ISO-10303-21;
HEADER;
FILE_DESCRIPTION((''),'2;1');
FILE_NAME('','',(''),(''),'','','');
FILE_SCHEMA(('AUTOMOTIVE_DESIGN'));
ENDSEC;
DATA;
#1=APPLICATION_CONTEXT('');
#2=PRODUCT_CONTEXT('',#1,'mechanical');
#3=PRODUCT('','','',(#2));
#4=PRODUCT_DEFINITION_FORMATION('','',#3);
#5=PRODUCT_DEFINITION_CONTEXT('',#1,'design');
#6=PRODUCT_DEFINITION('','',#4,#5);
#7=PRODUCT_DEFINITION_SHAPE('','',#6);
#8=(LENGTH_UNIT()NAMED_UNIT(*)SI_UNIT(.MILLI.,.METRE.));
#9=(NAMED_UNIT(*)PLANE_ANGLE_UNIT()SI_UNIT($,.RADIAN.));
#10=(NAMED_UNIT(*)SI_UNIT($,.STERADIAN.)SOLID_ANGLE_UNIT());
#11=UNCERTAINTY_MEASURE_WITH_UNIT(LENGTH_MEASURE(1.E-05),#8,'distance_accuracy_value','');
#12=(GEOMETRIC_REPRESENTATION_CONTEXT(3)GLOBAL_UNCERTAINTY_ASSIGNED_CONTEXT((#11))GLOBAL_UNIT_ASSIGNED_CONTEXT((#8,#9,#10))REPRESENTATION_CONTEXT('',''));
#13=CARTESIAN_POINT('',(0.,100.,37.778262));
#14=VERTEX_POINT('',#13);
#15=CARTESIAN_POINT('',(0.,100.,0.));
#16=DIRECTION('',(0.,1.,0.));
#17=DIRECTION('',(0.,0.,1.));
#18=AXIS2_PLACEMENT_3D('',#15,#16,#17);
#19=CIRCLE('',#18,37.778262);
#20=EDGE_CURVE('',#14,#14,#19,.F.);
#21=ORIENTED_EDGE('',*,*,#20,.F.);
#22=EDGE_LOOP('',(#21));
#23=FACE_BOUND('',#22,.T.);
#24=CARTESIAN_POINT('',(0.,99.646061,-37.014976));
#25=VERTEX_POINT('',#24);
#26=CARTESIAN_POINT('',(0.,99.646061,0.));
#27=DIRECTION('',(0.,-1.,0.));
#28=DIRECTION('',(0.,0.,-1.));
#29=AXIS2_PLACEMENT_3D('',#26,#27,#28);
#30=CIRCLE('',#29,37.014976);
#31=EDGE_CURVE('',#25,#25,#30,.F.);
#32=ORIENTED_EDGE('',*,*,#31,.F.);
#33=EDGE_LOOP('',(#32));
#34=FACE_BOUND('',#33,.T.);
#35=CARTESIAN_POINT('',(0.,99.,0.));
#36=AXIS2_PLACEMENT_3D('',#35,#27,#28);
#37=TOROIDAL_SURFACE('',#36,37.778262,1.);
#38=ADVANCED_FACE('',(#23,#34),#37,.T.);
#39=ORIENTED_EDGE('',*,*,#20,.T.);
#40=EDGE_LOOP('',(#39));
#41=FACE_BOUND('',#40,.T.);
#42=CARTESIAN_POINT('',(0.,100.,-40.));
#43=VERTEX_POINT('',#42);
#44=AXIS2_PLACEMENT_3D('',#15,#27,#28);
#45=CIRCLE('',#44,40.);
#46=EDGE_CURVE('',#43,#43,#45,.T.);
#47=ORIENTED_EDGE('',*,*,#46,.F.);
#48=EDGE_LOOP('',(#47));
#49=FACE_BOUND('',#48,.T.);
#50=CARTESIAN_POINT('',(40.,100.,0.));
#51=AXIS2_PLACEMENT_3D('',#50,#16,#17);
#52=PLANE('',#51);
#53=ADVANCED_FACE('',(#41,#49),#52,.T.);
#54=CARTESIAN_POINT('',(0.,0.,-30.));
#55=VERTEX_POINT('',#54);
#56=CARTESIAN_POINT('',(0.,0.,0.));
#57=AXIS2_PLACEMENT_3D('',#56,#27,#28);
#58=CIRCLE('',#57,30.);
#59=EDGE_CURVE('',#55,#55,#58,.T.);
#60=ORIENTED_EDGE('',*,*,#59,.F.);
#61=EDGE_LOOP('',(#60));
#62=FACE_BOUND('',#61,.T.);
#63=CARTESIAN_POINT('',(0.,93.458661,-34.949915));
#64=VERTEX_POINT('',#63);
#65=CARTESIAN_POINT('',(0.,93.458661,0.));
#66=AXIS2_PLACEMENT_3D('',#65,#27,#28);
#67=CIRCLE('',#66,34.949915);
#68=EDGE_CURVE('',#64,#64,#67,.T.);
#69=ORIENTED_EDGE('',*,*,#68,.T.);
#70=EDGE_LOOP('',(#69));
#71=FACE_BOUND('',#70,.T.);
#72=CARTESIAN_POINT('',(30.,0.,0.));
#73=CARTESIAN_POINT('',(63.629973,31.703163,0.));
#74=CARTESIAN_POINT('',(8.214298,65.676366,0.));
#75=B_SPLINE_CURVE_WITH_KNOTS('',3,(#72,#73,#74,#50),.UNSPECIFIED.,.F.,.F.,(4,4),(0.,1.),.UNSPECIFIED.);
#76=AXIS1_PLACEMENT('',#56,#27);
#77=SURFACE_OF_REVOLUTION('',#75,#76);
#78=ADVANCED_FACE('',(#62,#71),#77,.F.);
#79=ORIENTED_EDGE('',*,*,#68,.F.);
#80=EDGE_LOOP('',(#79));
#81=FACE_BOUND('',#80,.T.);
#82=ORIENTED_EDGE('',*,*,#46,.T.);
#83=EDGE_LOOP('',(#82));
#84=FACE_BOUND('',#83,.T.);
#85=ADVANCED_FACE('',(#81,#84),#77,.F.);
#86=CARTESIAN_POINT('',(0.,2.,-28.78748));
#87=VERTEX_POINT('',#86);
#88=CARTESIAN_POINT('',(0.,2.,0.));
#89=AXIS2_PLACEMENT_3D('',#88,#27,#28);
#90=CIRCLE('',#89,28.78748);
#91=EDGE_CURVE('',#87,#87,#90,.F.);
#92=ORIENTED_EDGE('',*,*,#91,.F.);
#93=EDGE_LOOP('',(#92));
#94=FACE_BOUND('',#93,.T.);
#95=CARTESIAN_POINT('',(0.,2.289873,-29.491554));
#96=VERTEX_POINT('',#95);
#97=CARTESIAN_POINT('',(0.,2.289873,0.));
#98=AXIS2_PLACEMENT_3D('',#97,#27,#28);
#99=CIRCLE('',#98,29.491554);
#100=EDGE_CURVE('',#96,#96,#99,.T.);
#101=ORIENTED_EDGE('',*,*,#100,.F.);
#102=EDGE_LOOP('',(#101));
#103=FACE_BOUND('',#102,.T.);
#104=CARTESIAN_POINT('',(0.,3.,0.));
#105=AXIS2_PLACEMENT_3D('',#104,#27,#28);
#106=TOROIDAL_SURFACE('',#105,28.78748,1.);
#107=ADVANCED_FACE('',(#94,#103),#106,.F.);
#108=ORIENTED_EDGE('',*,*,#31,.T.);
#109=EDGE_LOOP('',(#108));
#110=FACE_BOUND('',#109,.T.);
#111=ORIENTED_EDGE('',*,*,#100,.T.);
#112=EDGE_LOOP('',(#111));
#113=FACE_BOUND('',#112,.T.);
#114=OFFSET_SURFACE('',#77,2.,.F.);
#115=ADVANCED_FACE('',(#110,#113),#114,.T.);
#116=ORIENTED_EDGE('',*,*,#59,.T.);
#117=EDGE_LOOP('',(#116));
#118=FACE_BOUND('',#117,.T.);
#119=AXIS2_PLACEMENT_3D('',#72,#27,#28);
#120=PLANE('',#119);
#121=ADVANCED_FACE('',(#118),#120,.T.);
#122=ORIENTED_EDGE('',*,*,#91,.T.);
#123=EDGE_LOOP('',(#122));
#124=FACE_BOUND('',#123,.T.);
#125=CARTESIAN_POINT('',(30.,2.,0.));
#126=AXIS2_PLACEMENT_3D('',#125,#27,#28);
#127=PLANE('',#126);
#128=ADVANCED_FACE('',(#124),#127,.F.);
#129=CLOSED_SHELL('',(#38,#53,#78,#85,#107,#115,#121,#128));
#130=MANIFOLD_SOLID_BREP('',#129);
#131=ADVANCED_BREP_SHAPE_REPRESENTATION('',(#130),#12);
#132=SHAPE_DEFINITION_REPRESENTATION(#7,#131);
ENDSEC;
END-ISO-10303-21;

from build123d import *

# Parameters (mm, degrees)
SHELL26_T = -2
FILLET1_R = 1


with BuildPart() as part:
    # Sketch1 → Revolve2 (revolve)
    with BuildSketch(Plane.XY):
        with BuildLine():
            Line((40, 100), (0, 100))
            Line((0, 100), (0, 0))
            Line((0, 0), (30, 0))
            add(Edge.make_bspline(
                [(40, 100), (8.214298289, 65.676365866), (63.629973381, 31.703163026), (30, 0)],
                knots=[0, 0, 0, 0, 1, 1, 1, 1], degree=3))
        make_face()
    revolve(axis=Axis((0, 0, 0), (0, 1, 0)))

    # Shell26
    shell26_openings = [part.faces().sort_by_distance(p)[0] for p in [
        (0, 100, 0),
    ]]
    offset(amount=SHELL26_T, openings=shell26_openings, kind=Kind.INTERSECTION)

    # Fillet1
    fillet1_edges = [part.edges().sort_by_distance(p)[0] for p in [
        (-37.317425183, 100, 0),
        (-29.196581379, 2, 0),
    ]]
    fillet(fillet1_edges, radius=FILLET1_R)


solid = part.part
